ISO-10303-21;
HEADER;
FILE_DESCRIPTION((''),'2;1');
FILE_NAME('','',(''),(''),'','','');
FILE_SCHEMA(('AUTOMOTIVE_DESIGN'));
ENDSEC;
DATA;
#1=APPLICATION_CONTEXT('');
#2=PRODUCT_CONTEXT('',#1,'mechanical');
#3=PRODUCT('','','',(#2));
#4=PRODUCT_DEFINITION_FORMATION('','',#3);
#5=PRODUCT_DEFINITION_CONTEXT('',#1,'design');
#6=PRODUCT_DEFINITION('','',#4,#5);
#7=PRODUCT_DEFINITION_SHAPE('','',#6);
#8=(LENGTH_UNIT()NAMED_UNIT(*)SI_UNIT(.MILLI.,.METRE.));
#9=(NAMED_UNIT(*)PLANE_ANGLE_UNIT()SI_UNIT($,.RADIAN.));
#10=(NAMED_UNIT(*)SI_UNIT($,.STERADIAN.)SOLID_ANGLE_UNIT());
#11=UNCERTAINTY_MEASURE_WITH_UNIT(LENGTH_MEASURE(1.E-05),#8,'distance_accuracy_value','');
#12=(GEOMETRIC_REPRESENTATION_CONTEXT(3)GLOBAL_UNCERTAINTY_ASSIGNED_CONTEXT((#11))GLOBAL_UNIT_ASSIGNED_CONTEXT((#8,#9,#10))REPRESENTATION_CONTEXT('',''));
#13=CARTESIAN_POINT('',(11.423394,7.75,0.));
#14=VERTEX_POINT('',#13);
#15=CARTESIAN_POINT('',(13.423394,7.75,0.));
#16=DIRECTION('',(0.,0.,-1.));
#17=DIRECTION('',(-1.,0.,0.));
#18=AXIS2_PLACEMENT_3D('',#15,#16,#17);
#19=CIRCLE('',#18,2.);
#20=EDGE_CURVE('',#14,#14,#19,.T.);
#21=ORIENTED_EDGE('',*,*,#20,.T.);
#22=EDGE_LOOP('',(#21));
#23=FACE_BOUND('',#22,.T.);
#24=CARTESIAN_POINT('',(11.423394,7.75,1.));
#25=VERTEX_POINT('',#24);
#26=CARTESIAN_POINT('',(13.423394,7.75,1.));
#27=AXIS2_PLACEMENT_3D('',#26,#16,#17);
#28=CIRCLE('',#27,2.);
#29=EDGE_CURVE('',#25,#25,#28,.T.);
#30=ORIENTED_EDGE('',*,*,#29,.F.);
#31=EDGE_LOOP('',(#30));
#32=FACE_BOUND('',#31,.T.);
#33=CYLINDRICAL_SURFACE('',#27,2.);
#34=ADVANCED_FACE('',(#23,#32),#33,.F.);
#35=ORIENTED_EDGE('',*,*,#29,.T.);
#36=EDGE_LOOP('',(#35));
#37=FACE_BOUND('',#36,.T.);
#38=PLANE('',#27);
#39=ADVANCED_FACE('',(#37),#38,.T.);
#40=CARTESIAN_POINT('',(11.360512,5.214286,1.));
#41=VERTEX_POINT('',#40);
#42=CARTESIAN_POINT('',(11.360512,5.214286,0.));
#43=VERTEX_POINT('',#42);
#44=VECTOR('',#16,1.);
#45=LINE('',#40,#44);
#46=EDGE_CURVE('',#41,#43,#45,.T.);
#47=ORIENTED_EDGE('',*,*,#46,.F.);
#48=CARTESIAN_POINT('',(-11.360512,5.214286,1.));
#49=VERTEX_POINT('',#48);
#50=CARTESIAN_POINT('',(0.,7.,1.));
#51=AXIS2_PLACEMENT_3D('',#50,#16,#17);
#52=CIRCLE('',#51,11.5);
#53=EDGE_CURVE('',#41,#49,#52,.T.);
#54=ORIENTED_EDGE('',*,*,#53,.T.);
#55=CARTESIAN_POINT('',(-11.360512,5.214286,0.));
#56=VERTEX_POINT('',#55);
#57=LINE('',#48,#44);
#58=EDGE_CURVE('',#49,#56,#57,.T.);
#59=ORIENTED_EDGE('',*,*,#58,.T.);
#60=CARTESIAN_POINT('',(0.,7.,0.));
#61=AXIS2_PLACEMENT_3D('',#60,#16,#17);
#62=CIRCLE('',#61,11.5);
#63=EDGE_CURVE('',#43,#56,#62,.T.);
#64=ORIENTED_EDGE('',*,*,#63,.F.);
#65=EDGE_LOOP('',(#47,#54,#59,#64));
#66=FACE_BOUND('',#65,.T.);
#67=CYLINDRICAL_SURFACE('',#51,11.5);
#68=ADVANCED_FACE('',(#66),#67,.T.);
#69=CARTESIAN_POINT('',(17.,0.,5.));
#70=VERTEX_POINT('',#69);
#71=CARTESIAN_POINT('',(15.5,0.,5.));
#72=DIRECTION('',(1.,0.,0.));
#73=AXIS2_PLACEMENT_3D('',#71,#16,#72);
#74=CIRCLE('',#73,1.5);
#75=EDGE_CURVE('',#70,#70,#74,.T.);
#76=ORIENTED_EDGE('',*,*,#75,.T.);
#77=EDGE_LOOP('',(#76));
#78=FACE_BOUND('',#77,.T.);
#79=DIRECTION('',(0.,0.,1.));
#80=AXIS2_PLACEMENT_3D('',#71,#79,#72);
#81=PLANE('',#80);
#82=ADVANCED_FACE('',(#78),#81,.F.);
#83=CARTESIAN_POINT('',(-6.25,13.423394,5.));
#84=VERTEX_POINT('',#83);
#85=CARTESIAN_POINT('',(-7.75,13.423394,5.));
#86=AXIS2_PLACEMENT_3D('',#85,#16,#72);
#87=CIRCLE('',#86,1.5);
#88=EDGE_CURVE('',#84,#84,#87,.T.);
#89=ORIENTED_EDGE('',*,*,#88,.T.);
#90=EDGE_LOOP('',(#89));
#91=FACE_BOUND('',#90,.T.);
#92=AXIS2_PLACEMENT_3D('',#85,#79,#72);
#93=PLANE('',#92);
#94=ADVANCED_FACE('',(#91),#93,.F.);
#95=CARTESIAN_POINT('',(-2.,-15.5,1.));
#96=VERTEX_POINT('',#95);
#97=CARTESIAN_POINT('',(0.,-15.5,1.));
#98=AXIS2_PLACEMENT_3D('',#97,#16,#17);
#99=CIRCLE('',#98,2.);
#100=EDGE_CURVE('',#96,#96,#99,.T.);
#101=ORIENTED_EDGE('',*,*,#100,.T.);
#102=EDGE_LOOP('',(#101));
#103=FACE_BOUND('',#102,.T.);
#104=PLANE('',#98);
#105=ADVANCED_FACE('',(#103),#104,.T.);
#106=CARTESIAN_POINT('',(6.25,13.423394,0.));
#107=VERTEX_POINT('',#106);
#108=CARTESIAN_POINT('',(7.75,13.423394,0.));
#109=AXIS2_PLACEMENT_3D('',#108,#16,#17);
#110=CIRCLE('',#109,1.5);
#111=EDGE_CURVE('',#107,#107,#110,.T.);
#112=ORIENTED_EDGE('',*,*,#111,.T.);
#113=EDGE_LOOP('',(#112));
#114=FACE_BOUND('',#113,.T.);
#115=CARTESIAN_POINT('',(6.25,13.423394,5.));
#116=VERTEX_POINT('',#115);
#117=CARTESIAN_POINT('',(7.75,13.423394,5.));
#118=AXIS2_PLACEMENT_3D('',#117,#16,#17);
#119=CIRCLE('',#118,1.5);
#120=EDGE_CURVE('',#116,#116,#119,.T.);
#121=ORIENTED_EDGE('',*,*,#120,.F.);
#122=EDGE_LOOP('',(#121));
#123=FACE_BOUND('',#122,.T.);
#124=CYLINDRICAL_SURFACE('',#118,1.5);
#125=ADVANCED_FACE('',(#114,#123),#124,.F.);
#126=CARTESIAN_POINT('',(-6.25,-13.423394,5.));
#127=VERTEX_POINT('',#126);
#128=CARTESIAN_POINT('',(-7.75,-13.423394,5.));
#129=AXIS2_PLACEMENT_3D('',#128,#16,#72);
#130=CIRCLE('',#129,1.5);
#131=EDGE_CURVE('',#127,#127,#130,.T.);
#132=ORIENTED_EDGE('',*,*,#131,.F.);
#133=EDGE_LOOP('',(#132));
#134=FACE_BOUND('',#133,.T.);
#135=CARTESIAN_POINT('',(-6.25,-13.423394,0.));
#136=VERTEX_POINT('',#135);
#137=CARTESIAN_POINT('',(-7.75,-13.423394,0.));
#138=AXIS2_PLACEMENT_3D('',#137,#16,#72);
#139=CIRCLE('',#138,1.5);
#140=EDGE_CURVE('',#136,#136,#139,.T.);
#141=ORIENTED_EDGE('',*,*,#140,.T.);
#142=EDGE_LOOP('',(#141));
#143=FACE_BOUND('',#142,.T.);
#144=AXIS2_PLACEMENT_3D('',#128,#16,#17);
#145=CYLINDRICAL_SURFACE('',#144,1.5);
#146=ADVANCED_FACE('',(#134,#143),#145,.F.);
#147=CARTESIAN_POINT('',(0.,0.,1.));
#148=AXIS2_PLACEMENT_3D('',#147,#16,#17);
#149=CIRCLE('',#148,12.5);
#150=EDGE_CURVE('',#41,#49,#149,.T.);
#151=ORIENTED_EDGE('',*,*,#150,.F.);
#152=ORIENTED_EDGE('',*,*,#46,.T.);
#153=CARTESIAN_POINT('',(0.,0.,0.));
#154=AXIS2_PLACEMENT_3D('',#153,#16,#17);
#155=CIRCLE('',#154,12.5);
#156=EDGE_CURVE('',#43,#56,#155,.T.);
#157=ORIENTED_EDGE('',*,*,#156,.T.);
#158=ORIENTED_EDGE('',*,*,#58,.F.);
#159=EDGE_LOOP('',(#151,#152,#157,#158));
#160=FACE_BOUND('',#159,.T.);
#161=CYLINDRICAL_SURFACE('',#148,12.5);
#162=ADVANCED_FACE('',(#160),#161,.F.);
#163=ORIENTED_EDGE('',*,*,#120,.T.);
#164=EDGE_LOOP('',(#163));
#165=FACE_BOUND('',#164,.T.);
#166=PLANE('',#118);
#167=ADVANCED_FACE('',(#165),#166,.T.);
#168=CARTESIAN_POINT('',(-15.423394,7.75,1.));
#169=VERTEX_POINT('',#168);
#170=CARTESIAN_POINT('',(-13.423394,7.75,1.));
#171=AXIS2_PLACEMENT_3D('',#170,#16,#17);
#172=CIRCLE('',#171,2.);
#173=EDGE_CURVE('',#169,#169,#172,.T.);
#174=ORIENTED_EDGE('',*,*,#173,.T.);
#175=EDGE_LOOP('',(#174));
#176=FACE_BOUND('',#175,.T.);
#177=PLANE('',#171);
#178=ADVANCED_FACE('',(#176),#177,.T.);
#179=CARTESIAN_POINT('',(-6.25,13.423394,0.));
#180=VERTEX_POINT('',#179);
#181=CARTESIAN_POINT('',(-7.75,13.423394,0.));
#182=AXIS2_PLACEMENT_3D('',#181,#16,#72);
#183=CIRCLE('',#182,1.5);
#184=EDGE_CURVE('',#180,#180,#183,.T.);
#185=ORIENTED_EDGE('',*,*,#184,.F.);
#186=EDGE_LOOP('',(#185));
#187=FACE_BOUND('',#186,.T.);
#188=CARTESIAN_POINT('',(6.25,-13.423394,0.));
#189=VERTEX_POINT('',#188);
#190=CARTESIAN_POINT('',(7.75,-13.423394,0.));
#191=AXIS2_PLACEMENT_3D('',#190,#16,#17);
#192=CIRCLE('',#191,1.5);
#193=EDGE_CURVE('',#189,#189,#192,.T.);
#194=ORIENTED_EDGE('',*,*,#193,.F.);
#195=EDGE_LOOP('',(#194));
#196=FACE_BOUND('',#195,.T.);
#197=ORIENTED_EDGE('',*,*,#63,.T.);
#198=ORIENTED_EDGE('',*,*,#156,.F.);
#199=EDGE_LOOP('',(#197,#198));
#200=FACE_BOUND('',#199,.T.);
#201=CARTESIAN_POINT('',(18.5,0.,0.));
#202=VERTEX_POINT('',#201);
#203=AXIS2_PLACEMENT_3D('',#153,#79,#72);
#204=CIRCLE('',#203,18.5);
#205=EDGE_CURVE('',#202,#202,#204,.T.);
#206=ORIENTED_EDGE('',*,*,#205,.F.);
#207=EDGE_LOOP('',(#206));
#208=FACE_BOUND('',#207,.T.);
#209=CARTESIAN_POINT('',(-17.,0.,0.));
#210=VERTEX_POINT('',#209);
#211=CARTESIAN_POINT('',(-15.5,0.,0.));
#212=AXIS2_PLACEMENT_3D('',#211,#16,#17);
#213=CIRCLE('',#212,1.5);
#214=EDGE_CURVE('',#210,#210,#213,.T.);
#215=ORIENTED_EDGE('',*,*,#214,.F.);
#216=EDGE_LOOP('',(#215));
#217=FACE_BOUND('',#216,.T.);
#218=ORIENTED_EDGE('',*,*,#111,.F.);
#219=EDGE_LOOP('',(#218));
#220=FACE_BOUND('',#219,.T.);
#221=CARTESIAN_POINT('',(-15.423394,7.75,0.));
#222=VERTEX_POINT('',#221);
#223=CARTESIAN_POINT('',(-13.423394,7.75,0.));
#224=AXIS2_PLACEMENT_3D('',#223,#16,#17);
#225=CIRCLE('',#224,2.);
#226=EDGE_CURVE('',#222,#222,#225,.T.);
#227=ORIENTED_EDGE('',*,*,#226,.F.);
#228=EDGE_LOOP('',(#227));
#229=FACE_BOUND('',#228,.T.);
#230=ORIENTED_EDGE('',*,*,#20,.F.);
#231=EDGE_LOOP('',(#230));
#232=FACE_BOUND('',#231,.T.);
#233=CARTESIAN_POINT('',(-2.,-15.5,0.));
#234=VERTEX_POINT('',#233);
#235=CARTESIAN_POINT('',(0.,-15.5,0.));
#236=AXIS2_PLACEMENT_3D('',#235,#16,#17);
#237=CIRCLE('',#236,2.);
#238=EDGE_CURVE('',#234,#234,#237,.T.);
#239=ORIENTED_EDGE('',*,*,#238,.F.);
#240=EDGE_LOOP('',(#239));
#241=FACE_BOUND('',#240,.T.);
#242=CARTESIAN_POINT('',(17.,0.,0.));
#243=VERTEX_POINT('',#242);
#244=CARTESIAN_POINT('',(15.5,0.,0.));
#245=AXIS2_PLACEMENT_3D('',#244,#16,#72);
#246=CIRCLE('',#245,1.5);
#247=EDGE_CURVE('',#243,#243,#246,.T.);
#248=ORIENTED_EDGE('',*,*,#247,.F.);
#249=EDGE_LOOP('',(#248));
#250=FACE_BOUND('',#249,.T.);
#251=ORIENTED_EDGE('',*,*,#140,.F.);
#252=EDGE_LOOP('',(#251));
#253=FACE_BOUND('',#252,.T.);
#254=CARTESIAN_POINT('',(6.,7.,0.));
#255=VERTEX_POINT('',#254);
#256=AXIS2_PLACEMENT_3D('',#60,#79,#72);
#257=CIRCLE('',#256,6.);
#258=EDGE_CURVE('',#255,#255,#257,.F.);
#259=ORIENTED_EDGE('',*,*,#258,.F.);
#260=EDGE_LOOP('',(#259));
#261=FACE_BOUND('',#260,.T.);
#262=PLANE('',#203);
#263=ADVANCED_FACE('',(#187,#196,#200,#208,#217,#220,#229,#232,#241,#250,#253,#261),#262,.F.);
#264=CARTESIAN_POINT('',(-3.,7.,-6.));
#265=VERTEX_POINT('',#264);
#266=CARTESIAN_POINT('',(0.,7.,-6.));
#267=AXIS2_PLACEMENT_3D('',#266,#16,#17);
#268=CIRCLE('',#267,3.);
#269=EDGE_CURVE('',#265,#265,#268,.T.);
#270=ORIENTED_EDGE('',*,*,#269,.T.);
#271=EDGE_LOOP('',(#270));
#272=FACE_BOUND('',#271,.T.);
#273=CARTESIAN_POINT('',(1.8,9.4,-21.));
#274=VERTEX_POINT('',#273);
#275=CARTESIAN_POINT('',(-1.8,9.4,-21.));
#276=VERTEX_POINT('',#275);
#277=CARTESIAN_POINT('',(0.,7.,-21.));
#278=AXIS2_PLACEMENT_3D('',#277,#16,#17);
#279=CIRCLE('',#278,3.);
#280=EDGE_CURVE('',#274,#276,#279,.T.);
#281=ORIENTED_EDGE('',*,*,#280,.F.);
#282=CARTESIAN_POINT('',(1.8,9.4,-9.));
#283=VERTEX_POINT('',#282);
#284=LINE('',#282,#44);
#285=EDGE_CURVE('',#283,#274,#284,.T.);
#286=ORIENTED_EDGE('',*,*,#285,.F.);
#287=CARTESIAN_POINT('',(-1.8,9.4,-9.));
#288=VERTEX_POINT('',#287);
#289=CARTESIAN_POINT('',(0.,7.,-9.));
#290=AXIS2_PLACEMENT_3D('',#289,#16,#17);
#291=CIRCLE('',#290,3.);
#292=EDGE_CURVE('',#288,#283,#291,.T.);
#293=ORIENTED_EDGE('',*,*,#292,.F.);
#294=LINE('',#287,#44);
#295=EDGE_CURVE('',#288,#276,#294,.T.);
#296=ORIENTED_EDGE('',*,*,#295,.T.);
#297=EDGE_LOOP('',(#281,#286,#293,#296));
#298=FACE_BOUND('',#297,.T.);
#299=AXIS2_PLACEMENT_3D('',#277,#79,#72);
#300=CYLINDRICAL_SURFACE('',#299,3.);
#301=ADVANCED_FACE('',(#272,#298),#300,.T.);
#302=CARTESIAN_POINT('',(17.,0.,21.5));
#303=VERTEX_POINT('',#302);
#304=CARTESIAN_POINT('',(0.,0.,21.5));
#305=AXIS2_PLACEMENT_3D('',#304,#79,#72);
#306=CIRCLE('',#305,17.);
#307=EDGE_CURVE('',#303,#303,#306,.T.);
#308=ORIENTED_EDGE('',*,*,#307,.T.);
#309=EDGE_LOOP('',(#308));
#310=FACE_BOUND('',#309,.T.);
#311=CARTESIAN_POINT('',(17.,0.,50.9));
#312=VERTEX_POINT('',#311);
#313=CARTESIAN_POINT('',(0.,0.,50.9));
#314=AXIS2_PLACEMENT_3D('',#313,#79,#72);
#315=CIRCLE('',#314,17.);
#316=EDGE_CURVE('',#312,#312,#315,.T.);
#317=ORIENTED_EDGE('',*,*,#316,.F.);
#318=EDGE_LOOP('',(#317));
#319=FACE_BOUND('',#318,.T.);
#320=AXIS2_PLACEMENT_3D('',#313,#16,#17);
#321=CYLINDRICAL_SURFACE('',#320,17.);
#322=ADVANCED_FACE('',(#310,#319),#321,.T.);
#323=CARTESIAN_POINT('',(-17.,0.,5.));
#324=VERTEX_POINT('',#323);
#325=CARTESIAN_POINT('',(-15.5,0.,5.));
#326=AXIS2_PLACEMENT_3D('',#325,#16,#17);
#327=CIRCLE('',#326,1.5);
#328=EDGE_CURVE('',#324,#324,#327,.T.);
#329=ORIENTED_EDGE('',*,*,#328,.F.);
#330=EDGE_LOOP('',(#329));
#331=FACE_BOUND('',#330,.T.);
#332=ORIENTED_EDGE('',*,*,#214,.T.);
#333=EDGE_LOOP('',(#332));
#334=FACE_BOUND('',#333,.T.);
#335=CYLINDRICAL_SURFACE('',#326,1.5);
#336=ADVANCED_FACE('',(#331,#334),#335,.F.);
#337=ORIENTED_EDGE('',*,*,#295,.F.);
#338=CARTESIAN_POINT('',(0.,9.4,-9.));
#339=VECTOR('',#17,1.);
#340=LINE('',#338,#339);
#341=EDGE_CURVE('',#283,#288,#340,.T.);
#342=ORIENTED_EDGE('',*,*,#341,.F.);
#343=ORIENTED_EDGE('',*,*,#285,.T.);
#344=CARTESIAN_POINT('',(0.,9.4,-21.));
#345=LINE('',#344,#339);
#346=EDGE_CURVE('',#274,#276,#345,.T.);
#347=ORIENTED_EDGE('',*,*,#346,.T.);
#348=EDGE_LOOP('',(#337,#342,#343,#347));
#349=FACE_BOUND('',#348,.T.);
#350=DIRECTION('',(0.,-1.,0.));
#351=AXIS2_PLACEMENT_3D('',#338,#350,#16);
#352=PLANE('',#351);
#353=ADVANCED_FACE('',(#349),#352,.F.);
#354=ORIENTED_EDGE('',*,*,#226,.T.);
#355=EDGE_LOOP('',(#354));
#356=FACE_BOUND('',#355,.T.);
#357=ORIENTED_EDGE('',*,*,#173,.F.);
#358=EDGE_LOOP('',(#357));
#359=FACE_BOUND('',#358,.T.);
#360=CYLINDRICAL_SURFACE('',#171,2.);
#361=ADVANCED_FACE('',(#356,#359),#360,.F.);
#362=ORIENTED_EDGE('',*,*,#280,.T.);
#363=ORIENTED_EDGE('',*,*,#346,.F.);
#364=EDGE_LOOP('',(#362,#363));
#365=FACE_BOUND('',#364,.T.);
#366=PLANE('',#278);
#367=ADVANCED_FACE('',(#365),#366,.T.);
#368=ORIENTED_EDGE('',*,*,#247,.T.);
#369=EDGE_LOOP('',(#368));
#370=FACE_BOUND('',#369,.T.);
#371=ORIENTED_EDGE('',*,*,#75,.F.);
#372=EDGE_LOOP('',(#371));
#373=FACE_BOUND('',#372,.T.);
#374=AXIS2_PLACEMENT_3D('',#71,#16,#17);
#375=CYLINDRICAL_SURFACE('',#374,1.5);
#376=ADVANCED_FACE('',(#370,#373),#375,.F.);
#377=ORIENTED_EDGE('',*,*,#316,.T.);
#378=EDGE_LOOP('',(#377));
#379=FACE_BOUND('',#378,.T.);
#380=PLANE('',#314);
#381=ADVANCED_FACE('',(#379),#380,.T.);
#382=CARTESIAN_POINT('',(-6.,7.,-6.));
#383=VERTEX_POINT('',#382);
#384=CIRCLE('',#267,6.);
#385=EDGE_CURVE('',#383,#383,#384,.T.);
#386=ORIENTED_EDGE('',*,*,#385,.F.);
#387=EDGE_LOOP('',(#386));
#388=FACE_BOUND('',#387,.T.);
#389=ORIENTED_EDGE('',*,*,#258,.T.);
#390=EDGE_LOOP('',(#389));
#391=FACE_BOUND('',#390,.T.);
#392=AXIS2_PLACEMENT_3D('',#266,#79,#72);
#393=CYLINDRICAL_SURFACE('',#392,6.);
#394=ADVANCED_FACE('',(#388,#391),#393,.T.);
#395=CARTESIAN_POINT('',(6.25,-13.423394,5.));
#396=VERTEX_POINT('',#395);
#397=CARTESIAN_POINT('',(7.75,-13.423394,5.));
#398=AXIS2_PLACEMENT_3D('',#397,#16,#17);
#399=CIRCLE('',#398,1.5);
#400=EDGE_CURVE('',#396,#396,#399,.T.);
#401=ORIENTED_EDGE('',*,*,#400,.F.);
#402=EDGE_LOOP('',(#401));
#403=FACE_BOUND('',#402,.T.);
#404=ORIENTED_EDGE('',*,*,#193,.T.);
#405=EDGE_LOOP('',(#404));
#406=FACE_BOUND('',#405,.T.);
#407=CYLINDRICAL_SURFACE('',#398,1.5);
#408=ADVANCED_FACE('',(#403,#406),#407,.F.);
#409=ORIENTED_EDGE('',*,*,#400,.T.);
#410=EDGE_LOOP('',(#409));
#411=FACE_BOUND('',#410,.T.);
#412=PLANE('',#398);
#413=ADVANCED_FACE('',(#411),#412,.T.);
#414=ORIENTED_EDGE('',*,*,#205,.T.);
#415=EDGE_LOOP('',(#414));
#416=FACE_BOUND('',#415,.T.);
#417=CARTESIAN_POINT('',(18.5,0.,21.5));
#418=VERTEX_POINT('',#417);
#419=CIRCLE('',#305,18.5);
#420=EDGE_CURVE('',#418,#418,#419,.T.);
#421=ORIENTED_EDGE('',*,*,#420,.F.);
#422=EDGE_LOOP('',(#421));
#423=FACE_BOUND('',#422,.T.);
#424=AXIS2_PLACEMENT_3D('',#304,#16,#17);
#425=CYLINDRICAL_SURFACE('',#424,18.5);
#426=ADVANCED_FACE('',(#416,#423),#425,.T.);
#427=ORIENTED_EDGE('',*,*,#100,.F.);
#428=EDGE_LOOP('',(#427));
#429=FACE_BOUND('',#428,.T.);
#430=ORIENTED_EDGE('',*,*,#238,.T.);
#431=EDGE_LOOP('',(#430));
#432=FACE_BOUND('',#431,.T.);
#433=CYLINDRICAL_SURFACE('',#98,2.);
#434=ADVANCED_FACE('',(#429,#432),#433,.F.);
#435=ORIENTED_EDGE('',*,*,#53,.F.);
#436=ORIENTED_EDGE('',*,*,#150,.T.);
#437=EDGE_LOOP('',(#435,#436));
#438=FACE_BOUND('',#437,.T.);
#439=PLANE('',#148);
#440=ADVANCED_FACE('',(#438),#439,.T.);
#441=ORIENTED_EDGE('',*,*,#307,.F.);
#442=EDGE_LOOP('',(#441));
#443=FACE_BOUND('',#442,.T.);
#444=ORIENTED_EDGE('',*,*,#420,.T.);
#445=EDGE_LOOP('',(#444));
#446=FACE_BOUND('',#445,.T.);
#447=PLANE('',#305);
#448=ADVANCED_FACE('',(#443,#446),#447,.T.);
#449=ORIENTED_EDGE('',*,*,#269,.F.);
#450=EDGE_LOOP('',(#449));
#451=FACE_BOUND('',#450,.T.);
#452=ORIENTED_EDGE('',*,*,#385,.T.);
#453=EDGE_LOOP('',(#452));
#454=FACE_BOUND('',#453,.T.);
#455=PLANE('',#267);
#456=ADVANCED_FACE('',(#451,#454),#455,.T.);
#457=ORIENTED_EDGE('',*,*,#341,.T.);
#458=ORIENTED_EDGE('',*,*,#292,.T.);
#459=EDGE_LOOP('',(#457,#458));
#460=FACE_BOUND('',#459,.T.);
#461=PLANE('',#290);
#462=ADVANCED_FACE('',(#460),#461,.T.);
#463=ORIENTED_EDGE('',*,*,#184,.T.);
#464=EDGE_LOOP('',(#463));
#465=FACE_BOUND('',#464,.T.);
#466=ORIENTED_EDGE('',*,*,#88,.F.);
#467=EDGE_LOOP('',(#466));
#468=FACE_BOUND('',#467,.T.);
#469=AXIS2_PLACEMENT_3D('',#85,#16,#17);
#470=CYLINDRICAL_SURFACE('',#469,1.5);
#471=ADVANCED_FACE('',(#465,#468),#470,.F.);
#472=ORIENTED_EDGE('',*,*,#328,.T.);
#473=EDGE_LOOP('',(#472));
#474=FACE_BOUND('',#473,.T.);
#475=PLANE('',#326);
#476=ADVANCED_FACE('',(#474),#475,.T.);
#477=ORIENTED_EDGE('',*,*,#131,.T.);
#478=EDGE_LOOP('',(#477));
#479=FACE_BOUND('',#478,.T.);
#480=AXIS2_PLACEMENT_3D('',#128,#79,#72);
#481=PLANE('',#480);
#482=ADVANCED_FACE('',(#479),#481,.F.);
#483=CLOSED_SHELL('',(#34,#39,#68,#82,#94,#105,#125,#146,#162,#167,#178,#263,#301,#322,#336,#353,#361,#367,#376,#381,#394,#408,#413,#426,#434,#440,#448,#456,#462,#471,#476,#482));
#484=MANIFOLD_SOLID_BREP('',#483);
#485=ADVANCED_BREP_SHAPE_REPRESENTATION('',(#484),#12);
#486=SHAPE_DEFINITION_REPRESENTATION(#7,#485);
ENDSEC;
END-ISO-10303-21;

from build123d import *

# Parameters (mm, degrees)
SKETCH_1_R          = 18.5
EXTRUDE_1_DEPTH     = 21.5
SKETCH_2_R          = 17
EXTRUDE_2_DEPTH     = 29.4
CUT_EXTRUDE_1_DEPTH = 1
SKETCH_4_R          = 6
EXTRUDE_3_DEPTH     = 6
SKETCH_5_R          = 3
EXTRUDE_4_DEPTH     = 15
CUT_EXTRUDE_START   = -12
CUT_EXTRUDE_2_DEPTH = 12
SKETCH_7_R          = 1.5
CUT_EXTRUDE_3_DEPTH = 5
SKETCH_8_R          = 2
CUT_EXTRUDE_4_DEPTH = 1


with BuildPart() as part:
    # 草图1 → 凸台-拉伸1 (new body)
    with BuildSketch(Plane.XY):
        Circle(SKETCH_1_R)
    extrude(amount=EXTRUDE_1_DEPTH)

    # 草图2 → 凸台-拉伸2 (add)
    with BuildSketch(Plane.XY.offset(21.5)):
        Circle(SKETCH_2_R)
    extrude(amount=EXTRUDE_2_DEPTH)

    # 草图3 → 切除-拉伸1 (cut)
    with BuildSketch(Plane(origin=(0, 0, 0), x_dir=(-1, 0, 0), z_dir=(0, 0, -1))):
        with BuildLine():
            ThreePointArc((-11.36051163, 5.214285714), (0, -4.5), (11.36051163, 5.214285714))
            ThreePointArc((11.36051163, 5.214285714), (0, -12.5), (-11.36051163, 5.214285714))
        make_face()
    extrude(amount=-CUT_EXTRUDE_1_DEPTH, mode=Mode.SUBTRACT)

    # 草图4 → 凸台-拉伸3 (add)
    with BuildSketch(Plane(origin=(0, 0, 0), x_dir=(-1, 0, 0), z_dir=(0, 0, -1))):
        with Locations(Location((0, 7, 0), (0, 0, 180))):
            Circle(SKETCH_4_R)
    extrude(amount=EXTRUDE_3_DEPTH)

    # 草图5 → 凸台-拉伸4 (add)
    with BuildSketch(Plane(origin=(0, 0, -6), x_dir=(-1, 0, 0), z_dir=(0, 0, -1))):
        with Locations((0, 7)):
            Circle(SKETCH_5_R)
    extrude(amount=EXTRUDE_4_DEPTH)

    # 草图6 → 切除-拉伸2 (cut)
    with BuildSketch(Plane(origin=(0, 0, -21), x_dir=(-1, 0, 0), z_dir=(0, 0, -1)).offset(CUT_EXTRUDE_START)):
        with BuildLine():
            Line((0, 9.4), (1.8, 9.4))
            ThreePointArc((1.8, 9.4), (0, 10), (-1.8, 9.4))
            Line((-1.8, 9.4), (0, 9.4))
        make_face()
    extrude(amount=CUT_EXTRUDE_2_DEPTH, mode=Mode.SUBTRACT)

    # 草图7 → 切除-拉伸3 (cut)
    with BuildSketch(Plane(origin=(0, 0, 0), x_dir=(-1, 0, 0), z_dir=(0, 0, -1))):
        with Locations((15.5, 0)):
            Circle(SKETCH_7_R)
        with Locations(Location((-15.5, 0, 0), (0, 0, 180))):
            Circle(SKETCH_7_R)
        with Locations((-7.75, -13.423393759)):
            Circle(SKETCH_7_R)
        with Locations(Location((7.75, 13.423393759, 0), (0, 0, 180))):
            Circle(SKETCH_7_R)
        with Locations((-7.75, 13.423393759)):
            Circle(SKETCH_7_R)
        with Locations(Location((7.75, -13.423393759, 0), (0, 0, 180))):
            Circle(SKETCH_7_R)
    extrude(amount=-CUT_EXTRUDE_3_DEPTH, mode=Mode.SUBTRACT)

    # 草图8 → 切除-拉伸4 (cut)
    with BuildSketch(Plane(origin=(0, 0, 0), x_dir=(-1, 0, 0), z_dir=(0, 0, -1))):
        with Locations((0, -15.5)):
            Circle(SKETCH_8_R)
        with Locations((-13.423393759, 7.75)):
            Circle(SKETCH_8_R)
        with Locations((13.423393759, 7.75)):
            Circle(SKETCH_8_R)
    extrude(amount=-CUT_EXTRUDE_4_DEPTH, mode=Mode.SUBTRACT)


solid = part.part
